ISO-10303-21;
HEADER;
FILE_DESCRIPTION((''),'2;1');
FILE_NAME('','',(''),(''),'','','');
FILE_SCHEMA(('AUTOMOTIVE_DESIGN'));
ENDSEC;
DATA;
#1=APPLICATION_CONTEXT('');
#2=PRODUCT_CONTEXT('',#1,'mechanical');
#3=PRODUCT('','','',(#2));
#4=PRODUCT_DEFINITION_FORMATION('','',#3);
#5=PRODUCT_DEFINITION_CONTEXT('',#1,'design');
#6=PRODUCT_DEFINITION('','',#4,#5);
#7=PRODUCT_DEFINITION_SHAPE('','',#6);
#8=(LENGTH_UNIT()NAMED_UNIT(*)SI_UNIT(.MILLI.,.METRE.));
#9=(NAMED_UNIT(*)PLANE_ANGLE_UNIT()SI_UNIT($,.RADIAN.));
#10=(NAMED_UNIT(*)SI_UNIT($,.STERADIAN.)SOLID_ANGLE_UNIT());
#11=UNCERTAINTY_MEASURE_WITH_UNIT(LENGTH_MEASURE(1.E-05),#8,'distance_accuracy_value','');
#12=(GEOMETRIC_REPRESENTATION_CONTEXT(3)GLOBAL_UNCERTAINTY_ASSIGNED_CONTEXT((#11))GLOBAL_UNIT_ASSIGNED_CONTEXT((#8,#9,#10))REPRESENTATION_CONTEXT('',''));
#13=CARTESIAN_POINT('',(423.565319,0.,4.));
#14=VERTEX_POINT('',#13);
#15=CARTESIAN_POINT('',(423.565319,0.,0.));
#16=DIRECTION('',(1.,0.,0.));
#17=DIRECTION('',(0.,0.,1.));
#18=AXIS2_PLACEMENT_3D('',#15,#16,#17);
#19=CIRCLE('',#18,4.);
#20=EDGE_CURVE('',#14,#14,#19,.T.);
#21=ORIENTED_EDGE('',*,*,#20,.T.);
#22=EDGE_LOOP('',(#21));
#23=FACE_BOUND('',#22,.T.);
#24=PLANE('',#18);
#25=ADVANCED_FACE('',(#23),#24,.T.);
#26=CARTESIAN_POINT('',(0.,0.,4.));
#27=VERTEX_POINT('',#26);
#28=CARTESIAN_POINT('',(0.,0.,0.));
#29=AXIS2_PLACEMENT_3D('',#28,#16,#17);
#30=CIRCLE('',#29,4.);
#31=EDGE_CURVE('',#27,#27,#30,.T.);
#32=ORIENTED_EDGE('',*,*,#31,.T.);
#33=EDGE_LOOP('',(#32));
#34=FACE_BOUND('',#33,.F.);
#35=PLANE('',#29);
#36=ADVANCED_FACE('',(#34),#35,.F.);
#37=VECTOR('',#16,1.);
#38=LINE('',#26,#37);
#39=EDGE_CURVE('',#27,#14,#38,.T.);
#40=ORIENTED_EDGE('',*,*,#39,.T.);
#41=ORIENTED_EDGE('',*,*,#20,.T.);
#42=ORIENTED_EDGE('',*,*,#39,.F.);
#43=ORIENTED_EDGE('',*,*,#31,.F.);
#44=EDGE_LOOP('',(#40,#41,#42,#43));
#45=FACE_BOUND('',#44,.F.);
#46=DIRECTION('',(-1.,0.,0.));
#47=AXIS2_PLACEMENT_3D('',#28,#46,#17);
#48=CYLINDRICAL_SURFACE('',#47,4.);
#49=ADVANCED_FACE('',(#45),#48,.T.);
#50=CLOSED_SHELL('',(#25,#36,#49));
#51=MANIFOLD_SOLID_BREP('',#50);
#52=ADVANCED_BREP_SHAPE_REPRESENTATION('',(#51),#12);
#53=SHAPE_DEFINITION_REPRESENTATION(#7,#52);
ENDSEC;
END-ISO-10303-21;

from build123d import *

# Parameters (mm, degrees)
ESQUISSE1_R        = 4
BOSS_EXTRU_1_DEPTH = 423.565319482


with BuildPart() as part:
    # Esquisse1 → Boss.-Extru.1 (new body)
    with BuildSketch(Plane(origin=(0, 0, 0), x_dir=(0, 0, -1), z_dir=(1, 0, 0))):
        with Locations(Location((0, 0, 0), (0, 0, 180))):
            Circle(ESQUISSE1_R)
    extrude(amount=BOSS_EXTRU_1_DEPTH)


solid = part.part
